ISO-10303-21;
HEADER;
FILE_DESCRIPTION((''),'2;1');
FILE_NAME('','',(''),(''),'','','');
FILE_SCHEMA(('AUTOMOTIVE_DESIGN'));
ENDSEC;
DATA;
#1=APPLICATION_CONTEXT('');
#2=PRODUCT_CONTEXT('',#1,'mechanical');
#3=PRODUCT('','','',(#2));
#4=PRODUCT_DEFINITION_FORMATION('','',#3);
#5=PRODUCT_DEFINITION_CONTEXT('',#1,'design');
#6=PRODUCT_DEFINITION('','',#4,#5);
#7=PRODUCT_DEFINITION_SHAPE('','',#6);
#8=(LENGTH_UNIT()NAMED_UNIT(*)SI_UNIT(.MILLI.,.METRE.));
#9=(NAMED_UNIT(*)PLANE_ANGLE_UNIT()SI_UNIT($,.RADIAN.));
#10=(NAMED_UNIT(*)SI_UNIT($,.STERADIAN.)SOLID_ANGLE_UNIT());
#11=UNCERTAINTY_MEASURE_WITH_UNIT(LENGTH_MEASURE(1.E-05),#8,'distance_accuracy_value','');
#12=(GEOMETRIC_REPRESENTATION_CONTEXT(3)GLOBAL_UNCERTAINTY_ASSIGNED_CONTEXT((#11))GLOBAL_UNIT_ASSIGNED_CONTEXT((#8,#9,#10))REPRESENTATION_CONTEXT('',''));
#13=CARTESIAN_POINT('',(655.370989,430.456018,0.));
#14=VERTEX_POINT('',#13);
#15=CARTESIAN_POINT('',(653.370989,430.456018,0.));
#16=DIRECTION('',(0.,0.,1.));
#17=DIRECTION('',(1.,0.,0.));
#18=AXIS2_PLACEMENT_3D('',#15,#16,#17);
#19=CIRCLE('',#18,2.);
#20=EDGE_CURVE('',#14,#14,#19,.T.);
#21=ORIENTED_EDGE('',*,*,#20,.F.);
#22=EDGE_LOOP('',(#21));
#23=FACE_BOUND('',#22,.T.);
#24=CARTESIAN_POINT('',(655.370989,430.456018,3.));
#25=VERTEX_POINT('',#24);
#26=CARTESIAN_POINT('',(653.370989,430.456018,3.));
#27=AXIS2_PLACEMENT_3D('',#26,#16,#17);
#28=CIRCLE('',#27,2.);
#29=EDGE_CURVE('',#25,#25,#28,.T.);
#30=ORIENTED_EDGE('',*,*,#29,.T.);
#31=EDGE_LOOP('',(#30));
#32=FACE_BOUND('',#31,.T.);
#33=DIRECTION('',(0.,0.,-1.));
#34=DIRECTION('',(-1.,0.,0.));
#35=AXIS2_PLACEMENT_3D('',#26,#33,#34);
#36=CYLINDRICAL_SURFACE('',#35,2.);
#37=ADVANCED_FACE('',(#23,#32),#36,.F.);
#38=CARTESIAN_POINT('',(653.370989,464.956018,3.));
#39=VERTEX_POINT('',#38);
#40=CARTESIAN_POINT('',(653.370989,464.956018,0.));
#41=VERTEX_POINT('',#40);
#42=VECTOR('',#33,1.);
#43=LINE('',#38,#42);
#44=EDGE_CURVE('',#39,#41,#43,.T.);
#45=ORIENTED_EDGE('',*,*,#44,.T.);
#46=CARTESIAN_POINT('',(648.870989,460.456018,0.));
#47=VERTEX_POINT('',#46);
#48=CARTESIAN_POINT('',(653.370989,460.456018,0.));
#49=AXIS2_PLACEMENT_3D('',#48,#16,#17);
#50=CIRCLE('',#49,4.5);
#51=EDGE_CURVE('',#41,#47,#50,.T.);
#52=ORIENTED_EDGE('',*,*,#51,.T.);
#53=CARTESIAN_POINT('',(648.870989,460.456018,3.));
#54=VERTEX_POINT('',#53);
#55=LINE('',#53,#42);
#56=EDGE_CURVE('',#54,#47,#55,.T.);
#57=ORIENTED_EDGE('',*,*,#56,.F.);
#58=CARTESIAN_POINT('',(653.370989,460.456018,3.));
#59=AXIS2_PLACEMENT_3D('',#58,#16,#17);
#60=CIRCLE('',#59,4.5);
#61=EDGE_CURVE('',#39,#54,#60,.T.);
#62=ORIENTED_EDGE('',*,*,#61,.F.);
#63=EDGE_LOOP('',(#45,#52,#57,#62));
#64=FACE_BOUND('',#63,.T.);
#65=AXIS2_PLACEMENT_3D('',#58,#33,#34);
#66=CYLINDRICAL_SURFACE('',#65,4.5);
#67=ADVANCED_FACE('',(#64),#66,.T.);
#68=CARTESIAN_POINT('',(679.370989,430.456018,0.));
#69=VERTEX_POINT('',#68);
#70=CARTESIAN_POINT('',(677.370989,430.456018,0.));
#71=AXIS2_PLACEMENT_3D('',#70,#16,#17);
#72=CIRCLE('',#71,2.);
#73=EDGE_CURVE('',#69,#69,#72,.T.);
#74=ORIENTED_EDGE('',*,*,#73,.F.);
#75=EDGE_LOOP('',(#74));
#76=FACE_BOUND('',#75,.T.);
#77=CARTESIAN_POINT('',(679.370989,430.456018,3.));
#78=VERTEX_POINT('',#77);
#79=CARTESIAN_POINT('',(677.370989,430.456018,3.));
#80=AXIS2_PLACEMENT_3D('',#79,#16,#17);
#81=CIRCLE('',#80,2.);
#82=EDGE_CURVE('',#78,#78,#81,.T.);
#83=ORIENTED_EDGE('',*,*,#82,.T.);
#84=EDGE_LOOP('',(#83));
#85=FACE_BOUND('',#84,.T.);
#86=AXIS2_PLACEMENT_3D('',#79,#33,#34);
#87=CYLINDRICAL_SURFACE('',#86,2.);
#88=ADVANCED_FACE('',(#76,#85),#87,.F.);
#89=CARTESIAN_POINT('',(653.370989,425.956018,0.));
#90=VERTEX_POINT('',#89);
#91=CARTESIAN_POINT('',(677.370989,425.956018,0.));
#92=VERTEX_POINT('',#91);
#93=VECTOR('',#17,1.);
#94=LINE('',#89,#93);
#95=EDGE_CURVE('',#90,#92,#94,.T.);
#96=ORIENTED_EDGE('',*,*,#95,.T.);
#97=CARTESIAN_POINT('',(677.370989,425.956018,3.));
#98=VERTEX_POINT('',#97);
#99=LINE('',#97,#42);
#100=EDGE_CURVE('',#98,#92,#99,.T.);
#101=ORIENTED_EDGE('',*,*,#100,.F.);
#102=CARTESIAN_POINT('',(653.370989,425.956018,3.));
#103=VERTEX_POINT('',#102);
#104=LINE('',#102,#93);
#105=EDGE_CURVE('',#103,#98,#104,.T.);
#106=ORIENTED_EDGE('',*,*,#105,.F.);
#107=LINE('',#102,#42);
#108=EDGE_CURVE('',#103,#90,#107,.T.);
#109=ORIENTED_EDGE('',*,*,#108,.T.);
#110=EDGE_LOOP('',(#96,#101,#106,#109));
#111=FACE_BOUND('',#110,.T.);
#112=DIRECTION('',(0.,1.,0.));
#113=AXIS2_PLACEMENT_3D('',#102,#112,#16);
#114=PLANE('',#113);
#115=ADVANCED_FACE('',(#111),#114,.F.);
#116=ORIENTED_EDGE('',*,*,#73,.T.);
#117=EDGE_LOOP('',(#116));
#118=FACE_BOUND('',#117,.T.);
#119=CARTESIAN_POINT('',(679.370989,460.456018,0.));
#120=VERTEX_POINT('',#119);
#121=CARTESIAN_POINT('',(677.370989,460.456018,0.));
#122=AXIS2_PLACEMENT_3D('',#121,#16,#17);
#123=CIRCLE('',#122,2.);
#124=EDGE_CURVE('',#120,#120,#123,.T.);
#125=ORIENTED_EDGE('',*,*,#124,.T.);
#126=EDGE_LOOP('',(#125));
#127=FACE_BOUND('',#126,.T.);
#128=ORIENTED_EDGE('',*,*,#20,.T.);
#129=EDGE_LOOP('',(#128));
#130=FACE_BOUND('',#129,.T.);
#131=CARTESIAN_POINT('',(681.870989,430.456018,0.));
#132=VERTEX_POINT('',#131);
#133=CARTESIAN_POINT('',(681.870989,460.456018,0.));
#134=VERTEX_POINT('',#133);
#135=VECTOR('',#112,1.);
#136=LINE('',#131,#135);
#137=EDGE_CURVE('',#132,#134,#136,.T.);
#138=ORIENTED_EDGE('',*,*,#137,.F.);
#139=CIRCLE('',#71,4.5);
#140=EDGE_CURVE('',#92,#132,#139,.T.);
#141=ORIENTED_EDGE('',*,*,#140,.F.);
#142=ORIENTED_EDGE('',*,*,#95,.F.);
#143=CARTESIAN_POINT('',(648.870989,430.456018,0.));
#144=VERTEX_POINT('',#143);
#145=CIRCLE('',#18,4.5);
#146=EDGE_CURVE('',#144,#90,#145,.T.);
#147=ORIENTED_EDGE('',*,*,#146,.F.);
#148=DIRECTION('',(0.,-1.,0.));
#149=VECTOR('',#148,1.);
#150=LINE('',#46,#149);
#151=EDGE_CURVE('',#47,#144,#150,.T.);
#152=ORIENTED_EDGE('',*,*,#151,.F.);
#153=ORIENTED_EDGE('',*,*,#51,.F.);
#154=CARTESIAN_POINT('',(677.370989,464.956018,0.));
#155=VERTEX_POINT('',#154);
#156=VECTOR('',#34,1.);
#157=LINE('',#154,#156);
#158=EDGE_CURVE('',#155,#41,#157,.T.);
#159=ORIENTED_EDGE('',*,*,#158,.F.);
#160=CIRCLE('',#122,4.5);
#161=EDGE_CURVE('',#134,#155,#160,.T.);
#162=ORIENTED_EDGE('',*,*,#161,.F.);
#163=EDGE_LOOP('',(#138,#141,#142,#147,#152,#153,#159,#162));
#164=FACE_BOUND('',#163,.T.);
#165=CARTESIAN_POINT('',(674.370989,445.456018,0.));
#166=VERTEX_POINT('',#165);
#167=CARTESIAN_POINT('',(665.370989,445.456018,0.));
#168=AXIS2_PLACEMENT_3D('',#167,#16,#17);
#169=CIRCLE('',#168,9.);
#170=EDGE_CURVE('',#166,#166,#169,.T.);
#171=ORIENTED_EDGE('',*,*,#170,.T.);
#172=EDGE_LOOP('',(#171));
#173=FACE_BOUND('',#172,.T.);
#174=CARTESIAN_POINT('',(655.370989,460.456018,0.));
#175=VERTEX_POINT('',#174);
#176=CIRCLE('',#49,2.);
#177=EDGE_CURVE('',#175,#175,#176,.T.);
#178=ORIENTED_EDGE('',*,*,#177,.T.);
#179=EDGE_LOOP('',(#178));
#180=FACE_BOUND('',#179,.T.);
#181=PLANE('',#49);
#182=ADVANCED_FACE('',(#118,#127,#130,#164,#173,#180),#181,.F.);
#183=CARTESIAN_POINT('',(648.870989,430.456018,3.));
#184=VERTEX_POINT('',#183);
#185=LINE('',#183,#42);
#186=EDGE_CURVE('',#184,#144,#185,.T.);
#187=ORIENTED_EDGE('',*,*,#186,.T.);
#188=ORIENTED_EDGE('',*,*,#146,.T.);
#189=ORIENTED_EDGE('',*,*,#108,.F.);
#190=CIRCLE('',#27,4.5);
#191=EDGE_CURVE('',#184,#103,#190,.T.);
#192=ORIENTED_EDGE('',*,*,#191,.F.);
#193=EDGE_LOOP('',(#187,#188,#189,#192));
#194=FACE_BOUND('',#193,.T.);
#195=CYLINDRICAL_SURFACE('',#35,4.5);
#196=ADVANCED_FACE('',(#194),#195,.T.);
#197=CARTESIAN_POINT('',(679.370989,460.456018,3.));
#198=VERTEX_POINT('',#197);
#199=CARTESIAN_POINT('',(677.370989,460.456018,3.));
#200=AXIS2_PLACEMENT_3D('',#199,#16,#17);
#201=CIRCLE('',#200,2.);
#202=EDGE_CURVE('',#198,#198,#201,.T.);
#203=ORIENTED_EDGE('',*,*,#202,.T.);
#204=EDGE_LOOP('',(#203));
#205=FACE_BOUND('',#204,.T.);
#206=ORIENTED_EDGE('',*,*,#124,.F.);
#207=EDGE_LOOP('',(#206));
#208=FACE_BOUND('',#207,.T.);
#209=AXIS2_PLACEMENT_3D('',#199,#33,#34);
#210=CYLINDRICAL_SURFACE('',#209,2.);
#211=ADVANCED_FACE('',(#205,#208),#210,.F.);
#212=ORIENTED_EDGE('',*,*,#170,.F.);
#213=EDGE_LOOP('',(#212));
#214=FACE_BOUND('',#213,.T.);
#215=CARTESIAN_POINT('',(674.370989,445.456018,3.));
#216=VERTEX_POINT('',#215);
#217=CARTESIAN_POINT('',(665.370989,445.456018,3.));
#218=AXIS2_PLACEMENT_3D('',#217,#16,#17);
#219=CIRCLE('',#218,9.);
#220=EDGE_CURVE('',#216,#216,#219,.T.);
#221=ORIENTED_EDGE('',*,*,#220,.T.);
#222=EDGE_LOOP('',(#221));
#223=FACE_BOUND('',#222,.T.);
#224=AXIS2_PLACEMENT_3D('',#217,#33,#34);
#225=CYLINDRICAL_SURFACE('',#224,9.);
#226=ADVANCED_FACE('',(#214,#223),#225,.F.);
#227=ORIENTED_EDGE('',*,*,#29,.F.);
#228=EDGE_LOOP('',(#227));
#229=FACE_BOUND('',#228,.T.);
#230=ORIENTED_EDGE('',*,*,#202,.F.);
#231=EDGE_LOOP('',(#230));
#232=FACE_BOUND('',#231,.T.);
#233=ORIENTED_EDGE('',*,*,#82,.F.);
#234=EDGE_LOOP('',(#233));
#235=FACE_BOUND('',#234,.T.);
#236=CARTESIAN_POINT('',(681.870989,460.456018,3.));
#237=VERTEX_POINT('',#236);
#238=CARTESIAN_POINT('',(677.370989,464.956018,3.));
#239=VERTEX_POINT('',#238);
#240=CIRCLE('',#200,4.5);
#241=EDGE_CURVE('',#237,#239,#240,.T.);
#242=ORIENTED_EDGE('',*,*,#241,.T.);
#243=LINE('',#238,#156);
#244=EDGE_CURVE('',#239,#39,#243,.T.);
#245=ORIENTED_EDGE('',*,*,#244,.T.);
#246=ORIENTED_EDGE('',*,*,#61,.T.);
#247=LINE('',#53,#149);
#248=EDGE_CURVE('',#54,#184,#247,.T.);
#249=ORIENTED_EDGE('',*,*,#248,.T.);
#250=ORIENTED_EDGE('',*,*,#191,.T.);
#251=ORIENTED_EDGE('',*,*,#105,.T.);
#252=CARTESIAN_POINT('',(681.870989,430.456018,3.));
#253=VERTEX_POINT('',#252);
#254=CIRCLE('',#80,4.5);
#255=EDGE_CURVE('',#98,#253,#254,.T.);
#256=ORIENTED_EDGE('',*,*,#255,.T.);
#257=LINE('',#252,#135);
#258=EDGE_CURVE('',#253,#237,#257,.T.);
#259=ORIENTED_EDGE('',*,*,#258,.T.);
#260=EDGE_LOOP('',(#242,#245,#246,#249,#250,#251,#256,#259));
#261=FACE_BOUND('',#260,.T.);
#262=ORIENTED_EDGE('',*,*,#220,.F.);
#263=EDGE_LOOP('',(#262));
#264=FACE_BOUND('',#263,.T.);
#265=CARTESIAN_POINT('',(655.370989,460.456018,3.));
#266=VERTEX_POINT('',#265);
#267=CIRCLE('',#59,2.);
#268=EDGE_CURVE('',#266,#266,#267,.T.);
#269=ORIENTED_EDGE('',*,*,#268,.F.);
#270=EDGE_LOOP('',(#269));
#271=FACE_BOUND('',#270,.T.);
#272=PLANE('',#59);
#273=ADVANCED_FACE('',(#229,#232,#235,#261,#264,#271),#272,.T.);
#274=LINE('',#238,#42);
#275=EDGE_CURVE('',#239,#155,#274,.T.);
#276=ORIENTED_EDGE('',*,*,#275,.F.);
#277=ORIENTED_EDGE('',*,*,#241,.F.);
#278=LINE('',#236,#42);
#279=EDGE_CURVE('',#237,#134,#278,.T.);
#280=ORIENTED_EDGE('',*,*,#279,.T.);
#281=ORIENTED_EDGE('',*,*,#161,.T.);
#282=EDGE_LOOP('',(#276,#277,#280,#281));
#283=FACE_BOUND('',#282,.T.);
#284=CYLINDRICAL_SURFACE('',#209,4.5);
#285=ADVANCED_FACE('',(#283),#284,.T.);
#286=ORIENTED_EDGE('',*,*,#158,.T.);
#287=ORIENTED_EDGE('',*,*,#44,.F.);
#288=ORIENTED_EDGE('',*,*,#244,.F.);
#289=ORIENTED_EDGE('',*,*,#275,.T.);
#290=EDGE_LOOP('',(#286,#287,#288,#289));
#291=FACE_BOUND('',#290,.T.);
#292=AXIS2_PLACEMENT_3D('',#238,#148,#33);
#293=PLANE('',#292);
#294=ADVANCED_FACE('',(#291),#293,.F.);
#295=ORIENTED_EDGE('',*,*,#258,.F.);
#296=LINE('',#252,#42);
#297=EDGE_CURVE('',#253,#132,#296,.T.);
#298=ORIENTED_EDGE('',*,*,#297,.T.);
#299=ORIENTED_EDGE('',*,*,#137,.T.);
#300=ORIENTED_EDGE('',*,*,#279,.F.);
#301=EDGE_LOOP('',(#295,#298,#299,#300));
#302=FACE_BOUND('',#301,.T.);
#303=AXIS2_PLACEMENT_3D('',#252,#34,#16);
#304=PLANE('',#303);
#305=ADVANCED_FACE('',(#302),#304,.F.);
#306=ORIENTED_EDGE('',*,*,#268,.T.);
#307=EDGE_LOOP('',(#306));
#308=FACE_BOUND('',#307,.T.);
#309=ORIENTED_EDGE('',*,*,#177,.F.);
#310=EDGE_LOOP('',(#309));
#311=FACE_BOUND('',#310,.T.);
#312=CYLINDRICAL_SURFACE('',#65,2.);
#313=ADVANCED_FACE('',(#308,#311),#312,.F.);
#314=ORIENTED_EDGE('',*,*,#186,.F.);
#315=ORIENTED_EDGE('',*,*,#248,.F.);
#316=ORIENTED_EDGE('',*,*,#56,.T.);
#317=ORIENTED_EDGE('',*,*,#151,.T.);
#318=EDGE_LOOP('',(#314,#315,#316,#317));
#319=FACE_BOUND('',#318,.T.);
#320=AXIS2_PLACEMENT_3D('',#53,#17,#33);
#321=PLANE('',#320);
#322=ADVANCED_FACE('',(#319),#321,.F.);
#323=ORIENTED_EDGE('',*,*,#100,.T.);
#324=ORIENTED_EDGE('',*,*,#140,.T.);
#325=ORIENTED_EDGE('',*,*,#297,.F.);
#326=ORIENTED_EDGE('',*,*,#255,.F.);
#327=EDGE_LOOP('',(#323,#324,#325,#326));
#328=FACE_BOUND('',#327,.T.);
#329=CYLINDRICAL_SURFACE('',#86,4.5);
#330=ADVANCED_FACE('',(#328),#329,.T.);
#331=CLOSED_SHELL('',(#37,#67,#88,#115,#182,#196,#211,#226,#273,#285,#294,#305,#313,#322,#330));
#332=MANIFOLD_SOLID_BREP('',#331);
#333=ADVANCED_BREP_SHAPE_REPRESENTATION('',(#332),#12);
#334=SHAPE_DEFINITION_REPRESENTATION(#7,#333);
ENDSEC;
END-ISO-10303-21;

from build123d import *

# Parameters (mm, degrees)
MODEL_R                 = 2
MODEL_R_2               = 9
SALIENTE_EXTRUIR1_DEPTH = 3


with BuildPart() as part:
    # Model → Saliente-Extruir1 (new body)
    with BuildSketch(Plane.XY):
        with BuildLine():
            Line((648.870989369, 460.456018304), (648.870989369, 430.456018304))
            ThreePointArc((648.870989369, 430.456018304), (650.189008853, 427.274037789), (653.370989369, 425.956018304))
            Line((653.370989369, 425.956018304), (677.370989369, 425.956018304))
            ThreePointArc((677.370989369, 425.956018304), (680.552969884, 427.274037789), (681.870989369, 430.456018304))
            Line((681.870989369, 430.456018304), (681.870989369, 460.456018304))
            ThreePointArc((681.870989369, 460.456018304), (680.552969884, 463.637998819), (677.370989369, 464.956018304))
            Line((677.370989369, 464.956018304), (653.370989369, 464.956018304))
            ThreePointArc((653.370989369, 464.956018304), (650.189008853, 463.637998819), (648.870989369, 460.456018304))
        make_face()
        with Locations((677.370989369, 430.456018304)):
            Circle(MODEL_R, mode=Mode.SUBTRACT)
        with Locations((677.370989369, 460.456018304)):
            Circle(MODEL_R, mode=Mode.SUBTRACT)
        with Locations((653.370989369, 460.456018304)):
            Circle(MODEL_R, mode=Mode.SUBTRACT)
        with Locations((653.370989369, 430.456018304)):
            Circle(MODEL_R, mode=Mode.SUBTRACT)
        with Locations((665.370989369, 445.456018304)):
            Circle(MODEL_R_2, mode=Mode.SUBTRACT)
    extrude(amount=SALIENTE_EXTRUIR1_DEPTH)


solid = part.part
